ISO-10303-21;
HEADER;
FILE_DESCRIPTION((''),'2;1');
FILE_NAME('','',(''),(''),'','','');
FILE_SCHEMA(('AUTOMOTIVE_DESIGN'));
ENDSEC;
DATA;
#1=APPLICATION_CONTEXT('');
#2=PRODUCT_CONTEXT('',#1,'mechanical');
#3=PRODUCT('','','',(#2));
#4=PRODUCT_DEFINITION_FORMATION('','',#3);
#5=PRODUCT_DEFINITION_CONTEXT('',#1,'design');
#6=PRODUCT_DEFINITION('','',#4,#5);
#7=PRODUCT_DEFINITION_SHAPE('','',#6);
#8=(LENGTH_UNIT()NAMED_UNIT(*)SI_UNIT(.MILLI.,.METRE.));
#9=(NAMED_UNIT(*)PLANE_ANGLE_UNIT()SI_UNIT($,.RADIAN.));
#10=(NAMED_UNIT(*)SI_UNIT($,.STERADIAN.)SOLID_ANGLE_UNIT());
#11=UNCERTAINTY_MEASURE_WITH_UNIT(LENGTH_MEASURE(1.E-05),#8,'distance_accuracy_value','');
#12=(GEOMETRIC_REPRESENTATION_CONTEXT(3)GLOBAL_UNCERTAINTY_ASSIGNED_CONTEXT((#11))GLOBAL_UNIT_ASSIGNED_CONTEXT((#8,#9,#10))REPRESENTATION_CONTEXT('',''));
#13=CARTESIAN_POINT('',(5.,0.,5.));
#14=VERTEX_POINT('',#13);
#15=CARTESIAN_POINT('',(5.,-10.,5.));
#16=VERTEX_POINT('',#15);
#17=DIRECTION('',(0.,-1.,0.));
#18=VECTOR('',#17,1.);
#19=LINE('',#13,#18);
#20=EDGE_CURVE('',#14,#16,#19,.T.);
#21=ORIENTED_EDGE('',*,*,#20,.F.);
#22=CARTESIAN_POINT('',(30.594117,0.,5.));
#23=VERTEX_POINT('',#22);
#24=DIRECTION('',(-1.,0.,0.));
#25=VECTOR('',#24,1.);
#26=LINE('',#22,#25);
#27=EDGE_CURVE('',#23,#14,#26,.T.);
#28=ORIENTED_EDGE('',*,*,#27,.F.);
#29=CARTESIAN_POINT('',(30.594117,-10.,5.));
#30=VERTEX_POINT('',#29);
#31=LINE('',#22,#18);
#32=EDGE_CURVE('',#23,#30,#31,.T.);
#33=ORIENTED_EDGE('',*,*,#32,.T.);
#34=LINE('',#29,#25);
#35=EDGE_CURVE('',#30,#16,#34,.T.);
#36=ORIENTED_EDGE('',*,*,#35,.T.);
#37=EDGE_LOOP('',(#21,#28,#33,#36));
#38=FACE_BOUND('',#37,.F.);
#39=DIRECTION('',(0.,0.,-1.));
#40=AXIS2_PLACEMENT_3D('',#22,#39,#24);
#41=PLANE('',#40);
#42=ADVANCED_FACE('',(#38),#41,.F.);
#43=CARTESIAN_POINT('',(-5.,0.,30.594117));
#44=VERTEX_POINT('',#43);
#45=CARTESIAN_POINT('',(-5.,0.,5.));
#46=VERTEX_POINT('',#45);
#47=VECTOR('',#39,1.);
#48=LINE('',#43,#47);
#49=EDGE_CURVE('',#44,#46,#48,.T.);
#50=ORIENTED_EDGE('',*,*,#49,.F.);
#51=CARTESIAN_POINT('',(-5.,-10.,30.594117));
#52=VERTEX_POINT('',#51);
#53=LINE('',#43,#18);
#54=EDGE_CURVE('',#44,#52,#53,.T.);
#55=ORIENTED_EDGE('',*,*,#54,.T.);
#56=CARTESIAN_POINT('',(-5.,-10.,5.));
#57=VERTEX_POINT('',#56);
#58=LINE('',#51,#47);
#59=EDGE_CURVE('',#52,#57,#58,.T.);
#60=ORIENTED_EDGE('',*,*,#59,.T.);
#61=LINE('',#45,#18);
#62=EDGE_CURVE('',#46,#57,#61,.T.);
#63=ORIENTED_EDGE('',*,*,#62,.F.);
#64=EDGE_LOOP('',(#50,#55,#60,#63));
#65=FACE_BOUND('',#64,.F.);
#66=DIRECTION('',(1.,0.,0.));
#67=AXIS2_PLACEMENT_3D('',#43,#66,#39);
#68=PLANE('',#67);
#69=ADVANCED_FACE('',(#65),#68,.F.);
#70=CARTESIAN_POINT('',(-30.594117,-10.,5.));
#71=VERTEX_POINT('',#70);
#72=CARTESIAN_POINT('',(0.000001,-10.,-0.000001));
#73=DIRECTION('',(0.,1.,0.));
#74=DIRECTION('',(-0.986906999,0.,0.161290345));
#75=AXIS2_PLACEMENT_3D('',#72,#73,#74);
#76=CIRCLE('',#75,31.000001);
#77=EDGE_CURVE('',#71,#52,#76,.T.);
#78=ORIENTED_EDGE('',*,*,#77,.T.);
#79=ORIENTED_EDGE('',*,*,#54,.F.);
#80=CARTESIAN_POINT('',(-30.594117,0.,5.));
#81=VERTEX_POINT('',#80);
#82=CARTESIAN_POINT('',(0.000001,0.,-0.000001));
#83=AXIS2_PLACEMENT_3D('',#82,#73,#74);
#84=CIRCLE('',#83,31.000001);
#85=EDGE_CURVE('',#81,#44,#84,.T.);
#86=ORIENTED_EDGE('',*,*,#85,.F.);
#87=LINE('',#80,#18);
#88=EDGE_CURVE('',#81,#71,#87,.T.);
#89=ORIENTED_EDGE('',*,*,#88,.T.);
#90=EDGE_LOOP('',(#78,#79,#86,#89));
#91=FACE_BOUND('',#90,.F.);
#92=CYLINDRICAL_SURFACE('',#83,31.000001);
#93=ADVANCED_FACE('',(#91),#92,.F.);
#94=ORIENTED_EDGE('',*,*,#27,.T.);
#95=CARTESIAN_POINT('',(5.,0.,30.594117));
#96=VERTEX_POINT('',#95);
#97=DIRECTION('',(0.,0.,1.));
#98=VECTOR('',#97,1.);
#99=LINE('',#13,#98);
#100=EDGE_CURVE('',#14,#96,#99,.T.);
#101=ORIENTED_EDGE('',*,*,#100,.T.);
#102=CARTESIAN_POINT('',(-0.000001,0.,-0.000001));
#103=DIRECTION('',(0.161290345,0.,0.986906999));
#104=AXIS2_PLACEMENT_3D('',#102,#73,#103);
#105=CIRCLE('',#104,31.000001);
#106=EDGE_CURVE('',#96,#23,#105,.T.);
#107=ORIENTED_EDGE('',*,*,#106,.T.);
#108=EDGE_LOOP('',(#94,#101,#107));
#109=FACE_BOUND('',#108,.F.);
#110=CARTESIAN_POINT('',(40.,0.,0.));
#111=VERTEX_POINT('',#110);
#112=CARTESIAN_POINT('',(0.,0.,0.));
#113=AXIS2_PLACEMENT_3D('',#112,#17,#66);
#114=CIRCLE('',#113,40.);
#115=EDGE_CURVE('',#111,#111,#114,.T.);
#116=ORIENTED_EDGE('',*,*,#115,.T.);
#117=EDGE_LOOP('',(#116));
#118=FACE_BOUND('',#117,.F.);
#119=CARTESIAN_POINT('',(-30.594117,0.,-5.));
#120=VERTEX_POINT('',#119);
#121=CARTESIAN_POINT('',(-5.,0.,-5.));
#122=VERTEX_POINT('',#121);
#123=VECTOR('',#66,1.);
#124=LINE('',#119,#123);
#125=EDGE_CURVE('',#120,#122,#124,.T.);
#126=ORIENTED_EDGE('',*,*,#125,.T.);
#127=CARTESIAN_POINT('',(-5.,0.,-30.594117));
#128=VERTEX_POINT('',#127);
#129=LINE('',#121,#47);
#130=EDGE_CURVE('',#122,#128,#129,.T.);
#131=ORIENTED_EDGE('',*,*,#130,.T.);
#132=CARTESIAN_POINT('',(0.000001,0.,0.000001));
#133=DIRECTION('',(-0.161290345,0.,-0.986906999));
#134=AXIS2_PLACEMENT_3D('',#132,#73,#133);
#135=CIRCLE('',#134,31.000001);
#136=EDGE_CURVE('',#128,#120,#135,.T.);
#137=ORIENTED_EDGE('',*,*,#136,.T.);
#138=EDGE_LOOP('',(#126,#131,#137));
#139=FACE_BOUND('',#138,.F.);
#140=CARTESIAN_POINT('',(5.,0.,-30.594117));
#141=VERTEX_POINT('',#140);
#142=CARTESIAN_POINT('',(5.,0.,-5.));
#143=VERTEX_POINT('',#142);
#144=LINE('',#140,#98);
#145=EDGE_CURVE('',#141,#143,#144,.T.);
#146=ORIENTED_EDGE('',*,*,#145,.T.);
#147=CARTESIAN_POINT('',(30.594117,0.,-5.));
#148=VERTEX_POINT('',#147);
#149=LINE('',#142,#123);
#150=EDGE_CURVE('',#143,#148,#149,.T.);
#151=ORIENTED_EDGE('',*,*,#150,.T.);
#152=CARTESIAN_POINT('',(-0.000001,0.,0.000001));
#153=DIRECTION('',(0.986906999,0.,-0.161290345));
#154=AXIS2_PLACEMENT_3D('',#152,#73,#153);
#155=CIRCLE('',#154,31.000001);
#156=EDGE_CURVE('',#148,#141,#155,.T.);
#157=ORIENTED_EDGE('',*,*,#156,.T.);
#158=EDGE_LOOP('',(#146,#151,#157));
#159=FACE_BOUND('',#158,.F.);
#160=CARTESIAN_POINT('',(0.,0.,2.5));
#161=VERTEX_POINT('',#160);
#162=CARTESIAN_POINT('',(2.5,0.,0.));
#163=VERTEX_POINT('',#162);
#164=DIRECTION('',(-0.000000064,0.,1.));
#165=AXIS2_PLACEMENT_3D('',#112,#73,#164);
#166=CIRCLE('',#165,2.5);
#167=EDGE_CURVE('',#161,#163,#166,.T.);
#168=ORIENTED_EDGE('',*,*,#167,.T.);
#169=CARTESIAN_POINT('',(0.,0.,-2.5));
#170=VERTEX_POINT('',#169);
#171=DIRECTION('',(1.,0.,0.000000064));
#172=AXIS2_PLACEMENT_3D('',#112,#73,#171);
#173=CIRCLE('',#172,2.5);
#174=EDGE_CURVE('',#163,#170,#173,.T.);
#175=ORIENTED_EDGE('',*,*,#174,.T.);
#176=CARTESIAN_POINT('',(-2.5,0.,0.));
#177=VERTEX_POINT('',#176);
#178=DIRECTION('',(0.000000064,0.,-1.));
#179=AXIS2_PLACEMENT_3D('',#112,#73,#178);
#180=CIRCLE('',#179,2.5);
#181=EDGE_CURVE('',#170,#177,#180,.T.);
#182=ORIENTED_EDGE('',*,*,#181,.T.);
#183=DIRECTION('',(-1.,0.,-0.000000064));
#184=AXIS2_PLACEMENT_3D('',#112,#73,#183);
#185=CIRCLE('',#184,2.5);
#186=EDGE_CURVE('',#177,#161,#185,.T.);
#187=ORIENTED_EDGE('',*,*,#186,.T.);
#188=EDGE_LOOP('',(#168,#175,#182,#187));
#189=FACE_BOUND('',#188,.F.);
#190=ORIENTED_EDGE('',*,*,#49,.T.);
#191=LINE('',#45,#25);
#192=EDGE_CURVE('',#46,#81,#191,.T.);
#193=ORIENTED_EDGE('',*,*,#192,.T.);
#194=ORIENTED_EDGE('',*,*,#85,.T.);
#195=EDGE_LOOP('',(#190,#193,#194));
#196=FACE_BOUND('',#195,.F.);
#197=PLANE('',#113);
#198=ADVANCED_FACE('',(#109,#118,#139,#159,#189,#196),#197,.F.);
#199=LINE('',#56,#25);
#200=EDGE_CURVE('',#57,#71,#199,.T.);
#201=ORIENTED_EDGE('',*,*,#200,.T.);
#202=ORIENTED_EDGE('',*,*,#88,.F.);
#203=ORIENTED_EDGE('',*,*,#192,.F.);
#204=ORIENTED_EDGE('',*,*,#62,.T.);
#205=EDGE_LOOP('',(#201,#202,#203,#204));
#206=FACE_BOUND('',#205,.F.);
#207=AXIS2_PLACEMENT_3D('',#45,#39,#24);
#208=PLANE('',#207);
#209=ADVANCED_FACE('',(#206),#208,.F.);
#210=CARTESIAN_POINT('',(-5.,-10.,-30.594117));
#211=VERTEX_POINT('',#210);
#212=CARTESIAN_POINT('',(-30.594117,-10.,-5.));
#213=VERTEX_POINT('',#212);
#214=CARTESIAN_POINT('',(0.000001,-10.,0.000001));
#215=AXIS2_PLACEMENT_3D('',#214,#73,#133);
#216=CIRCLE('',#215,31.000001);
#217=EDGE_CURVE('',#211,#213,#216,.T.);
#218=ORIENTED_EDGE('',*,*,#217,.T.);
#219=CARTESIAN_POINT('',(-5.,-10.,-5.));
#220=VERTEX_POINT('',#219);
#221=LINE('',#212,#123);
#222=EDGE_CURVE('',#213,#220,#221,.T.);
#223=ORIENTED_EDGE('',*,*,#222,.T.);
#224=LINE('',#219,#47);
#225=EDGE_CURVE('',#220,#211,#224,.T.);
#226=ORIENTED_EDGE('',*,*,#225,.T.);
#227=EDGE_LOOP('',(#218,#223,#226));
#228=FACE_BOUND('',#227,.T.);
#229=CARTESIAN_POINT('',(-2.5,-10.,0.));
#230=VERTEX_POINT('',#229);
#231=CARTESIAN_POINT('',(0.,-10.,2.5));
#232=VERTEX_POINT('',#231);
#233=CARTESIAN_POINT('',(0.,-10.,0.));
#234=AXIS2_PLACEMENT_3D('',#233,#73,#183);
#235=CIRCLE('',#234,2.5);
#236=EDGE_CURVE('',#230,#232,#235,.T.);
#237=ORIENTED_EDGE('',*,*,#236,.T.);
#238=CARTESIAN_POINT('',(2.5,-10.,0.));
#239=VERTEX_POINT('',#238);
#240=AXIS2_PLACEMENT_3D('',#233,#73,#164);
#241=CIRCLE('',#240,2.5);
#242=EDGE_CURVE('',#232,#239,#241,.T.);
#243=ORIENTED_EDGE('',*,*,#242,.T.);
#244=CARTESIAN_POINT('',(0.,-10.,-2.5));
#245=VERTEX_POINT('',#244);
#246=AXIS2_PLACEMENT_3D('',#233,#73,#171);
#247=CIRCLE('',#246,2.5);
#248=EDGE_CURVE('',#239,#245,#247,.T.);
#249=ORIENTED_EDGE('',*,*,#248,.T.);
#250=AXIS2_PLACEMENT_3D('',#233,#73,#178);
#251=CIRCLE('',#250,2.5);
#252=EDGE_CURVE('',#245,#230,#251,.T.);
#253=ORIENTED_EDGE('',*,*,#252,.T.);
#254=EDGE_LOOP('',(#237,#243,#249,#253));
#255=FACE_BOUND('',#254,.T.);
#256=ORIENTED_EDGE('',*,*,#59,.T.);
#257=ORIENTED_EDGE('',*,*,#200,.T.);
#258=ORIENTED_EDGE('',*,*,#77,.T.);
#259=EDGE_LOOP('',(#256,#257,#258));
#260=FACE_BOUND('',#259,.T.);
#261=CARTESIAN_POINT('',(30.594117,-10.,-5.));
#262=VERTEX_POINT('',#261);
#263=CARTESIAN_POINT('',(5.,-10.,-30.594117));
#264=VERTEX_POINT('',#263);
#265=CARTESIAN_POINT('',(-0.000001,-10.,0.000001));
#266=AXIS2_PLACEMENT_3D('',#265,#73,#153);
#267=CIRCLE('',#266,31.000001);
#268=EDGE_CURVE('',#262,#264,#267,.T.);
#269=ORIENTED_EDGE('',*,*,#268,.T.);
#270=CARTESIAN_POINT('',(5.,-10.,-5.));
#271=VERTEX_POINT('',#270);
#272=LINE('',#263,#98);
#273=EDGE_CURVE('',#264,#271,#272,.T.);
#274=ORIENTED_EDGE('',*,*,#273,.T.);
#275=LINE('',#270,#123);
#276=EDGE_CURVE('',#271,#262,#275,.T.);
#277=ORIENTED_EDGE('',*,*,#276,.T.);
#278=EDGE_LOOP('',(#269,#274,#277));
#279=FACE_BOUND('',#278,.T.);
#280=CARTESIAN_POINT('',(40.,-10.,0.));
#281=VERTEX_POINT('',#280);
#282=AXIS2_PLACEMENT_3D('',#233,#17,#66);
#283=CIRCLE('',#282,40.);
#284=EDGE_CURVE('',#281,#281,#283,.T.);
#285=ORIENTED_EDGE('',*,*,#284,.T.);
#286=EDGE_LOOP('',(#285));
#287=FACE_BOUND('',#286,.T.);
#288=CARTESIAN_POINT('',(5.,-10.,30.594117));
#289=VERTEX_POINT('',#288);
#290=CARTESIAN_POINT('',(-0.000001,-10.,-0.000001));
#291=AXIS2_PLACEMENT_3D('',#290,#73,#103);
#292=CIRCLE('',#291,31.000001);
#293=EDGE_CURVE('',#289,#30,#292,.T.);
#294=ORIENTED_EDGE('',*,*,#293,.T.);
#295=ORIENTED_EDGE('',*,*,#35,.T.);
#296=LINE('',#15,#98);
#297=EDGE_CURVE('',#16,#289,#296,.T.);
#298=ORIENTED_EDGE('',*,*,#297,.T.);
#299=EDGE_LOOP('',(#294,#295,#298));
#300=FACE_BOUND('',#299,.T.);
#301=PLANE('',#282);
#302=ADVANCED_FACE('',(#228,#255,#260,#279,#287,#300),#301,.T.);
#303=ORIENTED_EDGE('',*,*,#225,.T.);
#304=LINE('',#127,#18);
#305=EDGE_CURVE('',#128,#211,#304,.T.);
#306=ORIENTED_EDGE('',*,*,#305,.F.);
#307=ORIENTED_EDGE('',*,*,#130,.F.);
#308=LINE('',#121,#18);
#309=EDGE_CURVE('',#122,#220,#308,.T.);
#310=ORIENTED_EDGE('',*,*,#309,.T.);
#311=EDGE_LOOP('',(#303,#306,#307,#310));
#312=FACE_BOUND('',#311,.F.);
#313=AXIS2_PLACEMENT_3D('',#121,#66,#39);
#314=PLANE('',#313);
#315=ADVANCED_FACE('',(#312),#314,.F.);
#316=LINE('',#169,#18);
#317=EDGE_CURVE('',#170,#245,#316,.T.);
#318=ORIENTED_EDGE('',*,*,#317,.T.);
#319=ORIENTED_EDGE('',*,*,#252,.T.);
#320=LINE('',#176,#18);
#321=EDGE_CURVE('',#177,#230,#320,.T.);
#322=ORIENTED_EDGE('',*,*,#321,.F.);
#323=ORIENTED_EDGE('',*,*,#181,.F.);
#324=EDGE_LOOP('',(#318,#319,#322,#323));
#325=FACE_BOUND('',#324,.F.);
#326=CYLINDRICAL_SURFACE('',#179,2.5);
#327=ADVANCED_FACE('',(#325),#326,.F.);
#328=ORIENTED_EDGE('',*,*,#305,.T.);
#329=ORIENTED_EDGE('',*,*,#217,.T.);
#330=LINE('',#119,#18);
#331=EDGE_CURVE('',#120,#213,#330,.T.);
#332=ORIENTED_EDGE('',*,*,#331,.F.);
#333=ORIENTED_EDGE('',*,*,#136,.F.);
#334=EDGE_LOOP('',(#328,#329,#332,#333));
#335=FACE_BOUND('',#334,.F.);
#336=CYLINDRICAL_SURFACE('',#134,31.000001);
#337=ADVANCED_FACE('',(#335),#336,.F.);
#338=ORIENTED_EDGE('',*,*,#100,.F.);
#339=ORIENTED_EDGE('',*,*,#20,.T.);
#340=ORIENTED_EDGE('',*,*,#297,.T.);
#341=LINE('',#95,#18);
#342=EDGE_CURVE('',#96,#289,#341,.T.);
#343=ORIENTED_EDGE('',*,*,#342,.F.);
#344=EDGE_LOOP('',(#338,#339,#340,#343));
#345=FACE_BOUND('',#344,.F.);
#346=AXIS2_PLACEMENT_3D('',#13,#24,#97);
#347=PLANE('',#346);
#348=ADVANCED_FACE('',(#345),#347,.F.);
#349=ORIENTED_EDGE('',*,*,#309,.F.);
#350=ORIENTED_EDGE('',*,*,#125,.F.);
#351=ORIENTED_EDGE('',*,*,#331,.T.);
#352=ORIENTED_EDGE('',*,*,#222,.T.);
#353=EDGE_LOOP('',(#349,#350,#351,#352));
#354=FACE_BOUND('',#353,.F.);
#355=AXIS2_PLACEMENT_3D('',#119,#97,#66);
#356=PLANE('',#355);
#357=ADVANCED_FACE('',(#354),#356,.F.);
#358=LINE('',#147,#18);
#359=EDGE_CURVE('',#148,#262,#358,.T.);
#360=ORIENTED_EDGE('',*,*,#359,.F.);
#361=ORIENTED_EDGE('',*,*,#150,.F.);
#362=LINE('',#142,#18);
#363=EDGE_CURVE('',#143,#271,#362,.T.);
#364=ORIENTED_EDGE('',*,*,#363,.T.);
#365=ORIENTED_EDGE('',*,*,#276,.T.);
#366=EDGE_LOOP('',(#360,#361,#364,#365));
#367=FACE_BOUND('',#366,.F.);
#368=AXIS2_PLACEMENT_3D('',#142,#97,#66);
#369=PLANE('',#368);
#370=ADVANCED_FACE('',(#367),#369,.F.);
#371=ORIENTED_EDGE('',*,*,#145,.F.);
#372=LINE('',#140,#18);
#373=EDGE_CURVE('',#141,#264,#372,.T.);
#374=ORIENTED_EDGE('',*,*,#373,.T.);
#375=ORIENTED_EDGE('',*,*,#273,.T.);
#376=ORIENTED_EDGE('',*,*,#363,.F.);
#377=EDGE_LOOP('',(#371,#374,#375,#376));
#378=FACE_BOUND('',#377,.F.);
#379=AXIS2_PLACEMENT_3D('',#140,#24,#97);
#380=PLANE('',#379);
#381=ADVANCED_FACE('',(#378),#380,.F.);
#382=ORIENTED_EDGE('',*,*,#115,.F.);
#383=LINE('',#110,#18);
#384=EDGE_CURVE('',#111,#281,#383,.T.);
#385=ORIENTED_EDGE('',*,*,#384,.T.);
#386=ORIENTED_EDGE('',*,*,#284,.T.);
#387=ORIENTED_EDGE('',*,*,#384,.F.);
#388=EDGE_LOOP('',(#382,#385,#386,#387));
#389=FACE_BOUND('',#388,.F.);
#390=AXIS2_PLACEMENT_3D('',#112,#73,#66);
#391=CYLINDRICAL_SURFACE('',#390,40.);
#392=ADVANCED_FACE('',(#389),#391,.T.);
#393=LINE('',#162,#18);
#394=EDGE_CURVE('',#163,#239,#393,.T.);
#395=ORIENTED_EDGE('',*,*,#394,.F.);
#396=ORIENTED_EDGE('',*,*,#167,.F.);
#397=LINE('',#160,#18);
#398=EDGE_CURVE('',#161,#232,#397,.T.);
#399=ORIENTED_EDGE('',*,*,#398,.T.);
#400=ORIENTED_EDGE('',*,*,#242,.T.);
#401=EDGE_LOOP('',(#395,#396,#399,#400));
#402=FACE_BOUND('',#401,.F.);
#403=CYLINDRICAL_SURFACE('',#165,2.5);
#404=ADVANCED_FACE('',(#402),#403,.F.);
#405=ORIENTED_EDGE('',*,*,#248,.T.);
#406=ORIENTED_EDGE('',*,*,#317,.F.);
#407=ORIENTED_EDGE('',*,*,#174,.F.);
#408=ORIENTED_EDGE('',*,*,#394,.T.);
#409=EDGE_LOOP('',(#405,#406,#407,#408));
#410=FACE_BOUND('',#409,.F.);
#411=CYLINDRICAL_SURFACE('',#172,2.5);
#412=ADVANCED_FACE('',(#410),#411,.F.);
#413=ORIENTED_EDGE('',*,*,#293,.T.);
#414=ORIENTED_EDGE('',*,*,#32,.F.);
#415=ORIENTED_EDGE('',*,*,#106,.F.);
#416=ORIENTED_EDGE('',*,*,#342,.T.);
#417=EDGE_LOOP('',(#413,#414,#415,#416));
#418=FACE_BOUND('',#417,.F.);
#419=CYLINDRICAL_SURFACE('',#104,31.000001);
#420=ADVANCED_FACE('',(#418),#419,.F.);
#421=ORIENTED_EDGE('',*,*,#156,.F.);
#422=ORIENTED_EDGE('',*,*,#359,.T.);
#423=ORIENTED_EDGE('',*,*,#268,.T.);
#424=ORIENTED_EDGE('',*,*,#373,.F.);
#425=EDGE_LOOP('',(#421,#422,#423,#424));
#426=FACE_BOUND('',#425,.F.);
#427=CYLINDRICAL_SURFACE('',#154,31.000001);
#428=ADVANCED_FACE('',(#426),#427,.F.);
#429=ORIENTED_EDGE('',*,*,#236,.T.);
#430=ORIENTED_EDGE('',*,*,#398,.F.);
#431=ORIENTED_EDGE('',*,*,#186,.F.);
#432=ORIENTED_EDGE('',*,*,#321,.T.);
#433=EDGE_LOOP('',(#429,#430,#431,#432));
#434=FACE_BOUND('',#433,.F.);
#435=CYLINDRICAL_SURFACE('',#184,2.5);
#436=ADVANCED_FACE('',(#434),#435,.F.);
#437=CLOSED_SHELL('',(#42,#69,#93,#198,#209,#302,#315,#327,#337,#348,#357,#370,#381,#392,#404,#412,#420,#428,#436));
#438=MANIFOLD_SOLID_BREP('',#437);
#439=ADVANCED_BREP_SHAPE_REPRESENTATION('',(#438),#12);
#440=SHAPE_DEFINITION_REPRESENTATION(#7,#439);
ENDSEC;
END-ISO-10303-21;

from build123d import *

# Parameters (mm, degrees)
F0_R     = 40
F1_DEPTH = 10


with BuildPart() as f1:
    # F0 (on Front) → F1 (new body)
    with BuildSketch(Plane.XZ):
        Circle(F0_R)
        with BuildLine():
            Line((-30.594117, -5), (-5, -5))
            Line((-5, -5), (-5, -30.594117))
            ThreePointArc((-5, -30.594117), (-21.92031, -21.92031), (-30.594117, -5))
        make_face(mode=Mode.SUBTRACT)
        with BuildLine():
            Line((5, -30.594117), (5, -5))
            Line((5, -5), (30.594117, -5))
            ThreePointArc((30.594117, -5), (21.92031, -21.92031), (5, -30.594117))
        make_face(mode=Mode.SUBTRACT)
        with BuildLine():
            ThreePointArc((-30.594117, 5), (-21.92031, 21.92031), (-5, 30.594117))
            Line((-5, 30.594117), (-5, 5))
            Line((-5, 5), (-30.594117, 5))
        make_face(mode=Mode.SUBTRACT)
        with BuildLine():
            ThreePointArc((0, 2.5), (1.767767, 1.767767), (2.5, 0))
            ThreePointArc((2.5, 0), (1.767767, -1.767767), (0, -2.5))
            ThreePointArc((0, -2.5), (-1.767767, -1.767767), (-2.5, 0))
            ThreePointArc((-2.5, 0), (-1.767767, 1.767767), (0, 2.5))
        make_face(mode=Mode.SUBTRACT)
        with BuildLine():
            Line((30.594117, 5), (5, 5))
            Line((5, 5), (5, 30.594117))
            ThreePointArc((5, 30.594117), (21.92031, 21.92031), (30.594117, 5))
        make_face(mode=Mode.SUBTRACT)
    extrude(amount=F1_DEPTH)


solid = f1.part
